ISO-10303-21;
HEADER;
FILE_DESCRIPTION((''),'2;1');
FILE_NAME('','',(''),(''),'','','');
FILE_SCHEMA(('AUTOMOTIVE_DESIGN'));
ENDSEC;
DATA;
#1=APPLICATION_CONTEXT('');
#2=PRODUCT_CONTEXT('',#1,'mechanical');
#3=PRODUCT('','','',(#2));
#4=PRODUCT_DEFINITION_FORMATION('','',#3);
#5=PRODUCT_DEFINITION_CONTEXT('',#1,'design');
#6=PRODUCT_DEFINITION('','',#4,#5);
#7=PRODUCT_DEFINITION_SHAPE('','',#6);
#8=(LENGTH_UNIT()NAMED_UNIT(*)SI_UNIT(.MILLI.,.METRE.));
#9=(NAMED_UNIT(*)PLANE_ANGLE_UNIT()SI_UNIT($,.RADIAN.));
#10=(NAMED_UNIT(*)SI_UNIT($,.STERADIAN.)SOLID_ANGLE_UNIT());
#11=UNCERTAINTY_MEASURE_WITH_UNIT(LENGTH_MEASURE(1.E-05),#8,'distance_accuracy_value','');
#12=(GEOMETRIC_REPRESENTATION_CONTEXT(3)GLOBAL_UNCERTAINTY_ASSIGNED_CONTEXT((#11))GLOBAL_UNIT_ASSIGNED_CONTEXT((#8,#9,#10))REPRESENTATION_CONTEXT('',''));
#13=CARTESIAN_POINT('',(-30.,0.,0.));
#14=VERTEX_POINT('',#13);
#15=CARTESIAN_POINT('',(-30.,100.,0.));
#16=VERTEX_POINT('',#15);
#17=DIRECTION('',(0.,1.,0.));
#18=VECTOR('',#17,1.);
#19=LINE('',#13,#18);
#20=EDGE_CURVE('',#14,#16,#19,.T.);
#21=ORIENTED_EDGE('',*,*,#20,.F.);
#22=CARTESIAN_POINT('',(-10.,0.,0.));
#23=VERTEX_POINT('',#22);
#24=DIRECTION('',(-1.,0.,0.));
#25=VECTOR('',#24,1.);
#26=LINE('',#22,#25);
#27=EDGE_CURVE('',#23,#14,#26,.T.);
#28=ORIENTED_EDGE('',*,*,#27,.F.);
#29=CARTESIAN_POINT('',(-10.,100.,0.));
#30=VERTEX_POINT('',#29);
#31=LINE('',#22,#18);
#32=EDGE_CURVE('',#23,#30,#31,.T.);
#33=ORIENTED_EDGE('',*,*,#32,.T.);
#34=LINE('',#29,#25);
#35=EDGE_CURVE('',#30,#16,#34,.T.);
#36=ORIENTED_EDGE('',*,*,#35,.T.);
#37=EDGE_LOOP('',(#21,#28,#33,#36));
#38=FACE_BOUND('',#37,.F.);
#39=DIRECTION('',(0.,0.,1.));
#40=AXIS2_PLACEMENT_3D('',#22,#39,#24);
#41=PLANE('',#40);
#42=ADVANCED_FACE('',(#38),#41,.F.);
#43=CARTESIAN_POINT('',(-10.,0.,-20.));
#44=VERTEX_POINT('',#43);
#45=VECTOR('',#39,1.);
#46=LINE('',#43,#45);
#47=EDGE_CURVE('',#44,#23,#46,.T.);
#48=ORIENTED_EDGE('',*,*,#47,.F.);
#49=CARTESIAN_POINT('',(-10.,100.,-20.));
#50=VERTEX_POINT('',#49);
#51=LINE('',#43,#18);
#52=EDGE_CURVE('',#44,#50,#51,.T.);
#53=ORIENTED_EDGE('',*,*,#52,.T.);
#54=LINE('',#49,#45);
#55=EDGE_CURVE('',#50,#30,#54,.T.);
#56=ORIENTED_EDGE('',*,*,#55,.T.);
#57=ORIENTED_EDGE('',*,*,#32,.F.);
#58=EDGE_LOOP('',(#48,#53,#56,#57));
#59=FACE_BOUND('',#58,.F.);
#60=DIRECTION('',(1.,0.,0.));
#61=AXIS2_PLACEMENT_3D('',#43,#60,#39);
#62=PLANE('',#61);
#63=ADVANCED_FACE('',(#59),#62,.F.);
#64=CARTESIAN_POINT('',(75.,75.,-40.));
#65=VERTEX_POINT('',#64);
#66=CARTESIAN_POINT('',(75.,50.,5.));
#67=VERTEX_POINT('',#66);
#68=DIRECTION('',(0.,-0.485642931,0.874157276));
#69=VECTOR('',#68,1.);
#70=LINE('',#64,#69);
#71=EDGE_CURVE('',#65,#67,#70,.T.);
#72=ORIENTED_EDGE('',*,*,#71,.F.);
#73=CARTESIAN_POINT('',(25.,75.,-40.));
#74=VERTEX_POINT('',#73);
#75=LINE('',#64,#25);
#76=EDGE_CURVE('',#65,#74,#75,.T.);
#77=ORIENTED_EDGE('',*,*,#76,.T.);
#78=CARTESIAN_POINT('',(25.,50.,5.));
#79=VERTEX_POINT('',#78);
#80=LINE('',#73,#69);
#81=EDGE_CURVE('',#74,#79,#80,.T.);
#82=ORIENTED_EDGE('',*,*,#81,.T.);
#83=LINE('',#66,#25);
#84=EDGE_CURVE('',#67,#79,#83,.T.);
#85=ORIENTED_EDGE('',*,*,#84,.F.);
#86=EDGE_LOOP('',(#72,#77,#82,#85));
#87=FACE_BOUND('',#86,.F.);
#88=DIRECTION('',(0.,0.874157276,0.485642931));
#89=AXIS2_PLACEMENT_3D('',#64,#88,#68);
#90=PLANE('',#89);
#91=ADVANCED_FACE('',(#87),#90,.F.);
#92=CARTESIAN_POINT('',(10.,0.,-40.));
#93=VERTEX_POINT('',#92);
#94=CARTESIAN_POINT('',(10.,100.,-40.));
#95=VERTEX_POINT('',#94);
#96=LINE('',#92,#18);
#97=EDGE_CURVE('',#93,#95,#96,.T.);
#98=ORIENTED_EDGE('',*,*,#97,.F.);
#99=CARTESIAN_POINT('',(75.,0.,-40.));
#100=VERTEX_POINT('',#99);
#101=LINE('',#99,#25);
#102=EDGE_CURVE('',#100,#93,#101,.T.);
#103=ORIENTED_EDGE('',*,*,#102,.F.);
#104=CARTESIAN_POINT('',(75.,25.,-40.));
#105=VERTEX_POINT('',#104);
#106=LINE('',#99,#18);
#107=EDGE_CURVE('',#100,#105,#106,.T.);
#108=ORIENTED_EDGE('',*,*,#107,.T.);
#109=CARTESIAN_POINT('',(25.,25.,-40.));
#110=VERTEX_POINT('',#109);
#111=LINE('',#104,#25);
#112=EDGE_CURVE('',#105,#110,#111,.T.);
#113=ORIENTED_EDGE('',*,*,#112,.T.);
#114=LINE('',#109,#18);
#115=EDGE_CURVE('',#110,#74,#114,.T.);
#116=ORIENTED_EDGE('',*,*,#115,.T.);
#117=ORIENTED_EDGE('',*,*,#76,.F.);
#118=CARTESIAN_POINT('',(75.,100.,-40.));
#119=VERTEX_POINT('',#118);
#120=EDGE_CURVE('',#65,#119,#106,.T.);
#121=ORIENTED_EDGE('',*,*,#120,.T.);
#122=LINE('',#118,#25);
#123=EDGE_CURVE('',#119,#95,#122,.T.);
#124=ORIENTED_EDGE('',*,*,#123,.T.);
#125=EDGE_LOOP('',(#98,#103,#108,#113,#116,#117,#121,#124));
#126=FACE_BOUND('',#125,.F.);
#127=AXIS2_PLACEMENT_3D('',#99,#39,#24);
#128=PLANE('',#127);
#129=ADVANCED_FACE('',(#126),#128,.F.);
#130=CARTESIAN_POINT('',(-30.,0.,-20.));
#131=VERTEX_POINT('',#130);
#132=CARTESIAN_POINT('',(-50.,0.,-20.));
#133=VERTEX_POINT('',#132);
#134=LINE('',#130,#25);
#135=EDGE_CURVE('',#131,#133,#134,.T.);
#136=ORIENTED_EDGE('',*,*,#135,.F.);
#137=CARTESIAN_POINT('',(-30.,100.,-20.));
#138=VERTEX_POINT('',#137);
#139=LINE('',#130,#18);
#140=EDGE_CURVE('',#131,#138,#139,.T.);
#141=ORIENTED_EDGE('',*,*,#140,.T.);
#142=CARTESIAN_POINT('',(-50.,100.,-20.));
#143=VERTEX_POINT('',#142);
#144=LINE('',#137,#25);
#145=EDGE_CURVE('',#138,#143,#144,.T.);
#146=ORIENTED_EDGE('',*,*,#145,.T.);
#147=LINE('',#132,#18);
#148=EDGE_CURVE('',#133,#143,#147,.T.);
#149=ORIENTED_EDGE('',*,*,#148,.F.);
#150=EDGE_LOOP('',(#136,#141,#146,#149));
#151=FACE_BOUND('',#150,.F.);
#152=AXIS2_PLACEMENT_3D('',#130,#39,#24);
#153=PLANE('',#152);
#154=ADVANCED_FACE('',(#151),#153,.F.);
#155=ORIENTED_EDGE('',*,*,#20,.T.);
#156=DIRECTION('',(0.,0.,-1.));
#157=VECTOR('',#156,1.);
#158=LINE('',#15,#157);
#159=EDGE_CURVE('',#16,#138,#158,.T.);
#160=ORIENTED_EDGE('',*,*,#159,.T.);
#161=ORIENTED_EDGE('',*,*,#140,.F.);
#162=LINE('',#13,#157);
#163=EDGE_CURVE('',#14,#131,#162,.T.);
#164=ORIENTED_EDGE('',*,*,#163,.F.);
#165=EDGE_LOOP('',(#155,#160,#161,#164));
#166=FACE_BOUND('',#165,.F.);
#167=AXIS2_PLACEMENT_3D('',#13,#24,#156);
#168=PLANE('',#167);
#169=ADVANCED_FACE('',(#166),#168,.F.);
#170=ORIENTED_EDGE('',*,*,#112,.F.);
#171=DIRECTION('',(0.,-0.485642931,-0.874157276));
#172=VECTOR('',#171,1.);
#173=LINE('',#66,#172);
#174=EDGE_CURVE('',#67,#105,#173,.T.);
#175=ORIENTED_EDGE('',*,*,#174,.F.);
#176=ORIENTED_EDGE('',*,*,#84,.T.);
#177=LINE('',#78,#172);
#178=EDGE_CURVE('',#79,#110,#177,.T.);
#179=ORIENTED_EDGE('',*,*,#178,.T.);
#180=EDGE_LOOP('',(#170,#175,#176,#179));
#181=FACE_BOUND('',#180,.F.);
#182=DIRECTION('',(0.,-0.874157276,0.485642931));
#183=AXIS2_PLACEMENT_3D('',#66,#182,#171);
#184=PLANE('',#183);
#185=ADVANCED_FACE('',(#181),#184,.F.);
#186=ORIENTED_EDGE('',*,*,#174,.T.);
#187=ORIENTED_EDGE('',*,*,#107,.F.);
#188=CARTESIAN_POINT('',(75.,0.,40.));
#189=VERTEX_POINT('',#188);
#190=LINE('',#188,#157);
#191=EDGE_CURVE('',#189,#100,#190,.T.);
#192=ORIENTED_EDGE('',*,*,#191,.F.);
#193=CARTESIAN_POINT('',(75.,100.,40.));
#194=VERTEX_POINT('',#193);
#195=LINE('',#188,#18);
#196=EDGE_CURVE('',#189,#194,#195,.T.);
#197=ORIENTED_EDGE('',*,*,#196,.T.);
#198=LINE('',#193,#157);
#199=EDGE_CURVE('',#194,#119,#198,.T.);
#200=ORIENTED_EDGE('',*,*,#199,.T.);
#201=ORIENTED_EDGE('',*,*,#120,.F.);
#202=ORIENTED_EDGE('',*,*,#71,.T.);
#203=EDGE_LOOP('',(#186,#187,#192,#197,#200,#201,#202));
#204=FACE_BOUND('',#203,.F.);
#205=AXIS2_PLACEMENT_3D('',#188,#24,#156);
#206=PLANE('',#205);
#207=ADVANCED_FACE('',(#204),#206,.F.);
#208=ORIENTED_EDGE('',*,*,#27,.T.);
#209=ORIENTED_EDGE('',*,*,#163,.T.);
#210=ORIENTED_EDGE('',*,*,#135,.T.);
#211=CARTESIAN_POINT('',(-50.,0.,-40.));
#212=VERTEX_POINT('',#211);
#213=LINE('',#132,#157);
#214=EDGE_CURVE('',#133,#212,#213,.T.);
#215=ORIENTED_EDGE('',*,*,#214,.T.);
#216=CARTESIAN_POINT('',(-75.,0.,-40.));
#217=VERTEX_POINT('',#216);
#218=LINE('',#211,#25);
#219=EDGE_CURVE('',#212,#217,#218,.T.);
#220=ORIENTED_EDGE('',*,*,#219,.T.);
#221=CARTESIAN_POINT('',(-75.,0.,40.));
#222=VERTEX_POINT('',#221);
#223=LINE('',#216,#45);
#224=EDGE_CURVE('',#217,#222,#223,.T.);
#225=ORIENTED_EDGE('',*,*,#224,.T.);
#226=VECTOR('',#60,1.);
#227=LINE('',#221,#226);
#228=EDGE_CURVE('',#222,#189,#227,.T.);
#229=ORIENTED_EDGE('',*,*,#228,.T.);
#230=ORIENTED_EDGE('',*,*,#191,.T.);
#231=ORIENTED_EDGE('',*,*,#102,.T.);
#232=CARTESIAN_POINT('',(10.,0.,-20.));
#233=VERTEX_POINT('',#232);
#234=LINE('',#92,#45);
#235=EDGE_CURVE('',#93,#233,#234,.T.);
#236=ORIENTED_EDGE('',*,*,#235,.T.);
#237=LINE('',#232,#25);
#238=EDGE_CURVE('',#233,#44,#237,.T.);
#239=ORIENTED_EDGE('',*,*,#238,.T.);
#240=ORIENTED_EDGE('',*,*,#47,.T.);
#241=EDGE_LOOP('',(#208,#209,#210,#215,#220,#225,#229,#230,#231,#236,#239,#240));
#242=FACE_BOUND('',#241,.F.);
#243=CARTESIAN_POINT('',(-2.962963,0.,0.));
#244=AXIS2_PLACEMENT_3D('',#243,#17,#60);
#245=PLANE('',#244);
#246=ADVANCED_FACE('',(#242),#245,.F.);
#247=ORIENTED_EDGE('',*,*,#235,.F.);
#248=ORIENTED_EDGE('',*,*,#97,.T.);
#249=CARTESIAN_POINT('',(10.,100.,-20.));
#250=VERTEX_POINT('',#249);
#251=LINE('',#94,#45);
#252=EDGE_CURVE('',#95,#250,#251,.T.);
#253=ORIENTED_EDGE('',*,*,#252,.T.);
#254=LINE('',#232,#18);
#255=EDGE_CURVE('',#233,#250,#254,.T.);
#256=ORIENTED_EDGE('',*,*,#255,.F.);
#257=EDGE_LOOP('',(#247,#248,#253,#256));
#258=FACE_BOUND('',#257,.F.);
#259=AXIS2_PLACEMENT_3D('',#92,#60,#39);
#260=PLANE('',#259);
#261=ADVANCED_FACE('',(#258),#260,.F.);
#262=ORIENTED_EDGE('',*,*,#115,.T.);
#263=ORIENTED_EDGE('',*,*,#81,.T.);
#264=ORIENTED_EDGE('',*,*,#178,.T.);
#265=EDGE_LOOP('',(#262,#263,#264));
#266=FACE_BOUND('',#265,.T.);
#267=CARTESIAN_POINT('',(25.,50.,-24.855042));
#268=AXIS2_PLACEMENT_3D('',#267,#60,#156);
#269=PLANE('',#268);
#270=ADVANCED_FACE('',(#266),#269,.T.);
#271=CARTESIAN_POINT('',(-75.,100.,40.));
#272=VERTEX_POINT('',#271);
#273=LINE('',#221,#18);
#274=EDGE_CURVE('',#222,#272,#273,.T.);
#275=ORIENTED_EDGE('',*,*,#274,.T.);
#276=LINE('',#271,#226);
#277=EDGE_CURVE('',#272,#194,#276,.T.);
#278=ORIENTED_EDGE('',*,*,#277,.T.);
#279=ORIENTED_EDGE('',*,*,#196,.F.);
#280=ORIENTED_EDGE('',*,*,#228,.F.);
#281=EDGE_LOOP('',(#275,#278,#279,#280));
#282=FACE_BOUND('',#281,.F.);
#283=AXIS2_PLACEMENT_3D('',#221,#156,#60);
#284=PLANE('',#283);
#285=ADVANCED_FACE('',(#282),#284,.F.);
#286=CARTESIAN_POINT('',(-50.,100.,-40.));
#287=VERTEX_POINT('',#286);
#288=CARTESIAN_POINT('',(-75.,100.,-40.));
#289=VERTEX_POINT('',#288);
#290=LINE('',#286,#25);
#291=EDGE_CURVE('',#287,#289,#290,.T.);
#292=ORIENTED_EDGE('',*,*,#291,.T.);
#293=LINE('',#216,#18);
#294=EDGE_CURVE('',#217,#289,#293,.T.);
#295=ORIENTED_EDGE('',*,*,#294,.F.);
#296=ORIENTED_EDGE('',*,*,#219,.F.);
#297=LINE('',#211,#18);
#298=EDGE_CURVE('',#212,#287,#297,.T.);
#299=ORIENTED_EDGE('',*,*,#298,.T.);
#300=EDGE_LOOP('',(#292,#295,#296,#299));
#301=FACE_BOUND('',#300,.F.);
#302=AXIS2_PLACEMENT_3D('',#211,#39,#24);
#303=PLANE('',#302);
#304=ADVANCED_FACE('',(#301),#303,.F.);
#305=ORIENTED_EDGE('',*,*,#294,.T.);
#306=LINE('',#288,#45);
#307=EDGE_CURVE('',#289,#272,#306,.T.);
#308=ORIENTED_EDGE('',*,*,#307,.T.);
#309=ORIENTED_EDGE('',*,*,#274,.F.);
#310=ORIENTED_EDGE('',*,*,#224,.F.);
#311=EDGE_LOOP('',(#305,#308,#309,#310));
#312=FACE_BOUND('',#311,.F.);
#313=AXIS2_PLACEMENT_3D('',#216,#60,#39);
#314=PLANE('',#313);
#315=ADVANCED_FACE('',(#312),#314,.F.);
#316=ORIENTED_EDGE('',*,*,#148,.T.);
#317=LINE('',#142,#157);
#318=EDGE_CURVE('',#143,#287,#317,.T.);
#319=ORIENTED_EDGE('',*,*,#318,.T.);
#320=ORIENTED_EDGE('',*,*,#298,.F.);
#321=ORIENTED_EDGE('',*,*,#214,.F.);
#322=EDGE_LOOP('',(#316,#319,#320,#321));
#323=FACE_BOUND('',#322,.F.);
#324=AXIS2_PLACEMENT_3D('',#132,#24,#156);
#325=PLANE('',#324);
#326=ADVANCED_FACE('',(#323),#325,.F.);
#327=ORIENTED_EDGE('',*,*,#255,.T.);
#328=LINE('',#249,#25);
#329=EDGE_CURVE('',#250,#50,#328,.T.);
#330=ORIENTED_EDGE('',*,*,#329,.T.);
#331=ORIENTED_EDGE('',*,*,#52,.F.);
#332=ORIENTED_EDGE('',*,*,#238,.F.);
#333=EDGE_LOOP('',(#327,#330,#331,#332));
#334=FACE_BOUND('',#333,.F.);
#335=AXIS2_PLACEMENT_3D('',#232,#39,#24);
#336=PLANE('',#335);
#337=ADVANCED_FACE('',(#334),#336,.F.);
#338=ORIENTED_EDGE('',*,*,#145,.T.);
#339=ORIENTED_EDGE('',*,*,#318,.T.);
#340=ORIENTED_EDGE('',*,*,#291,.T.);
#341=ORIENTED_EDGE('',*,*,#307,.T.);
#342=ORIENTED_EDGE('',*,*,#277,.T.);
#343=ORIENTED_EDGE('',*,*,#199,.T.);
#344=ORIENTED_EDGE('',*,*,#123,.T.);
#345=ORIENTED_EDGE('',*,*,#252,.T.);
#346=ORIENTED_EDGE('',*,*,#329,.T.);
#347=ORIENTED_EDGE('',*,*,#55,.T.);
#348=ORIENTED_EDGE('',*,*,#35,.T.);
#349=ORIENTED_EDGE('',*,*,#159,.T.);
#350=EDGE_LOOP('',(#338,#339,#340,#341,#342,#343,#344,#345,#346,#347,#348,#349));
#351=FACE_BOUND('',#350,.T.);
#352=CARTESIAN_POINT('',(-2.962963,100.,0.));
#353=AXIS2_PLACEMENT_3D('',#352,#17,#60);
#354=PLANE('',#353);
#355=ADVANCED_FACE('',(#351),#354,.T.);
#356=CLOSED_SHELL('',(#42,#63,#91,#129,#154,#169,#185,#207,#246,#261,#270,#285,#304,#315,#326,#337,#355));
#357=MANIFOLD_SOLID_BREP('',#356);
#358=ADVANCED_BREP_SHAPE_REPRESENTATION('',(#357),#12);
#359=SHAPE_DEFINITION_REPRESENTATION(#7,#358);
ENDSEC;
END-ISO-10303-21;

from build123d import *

# Parameters (mm, degrees)
BOSS_EXTRUDE1_DEPTH = 100
CUT_EXTRUDE2_DEPTH  = 50


with BuildPart() as part:
    # Sketch1 → Boss-Extrude1 (new body)
    with BuildSketch(Plane(origin=(0, 0, 0), x_dir=(1, 0, 0), z_dir=(0, 1, 0))):
        Polygon((-50, 20), (-50, 40), (-75, 40), (-75, -40), (75, -40), (75, 40), (10, 40), (10, 20), (-10, 20), (-10, 0), (-30, 0), (-30, 20), align=None)
    extrude(amount=BOSS_EXTRUDE1_DEPTH)

    # Sketch3 → Cut-Extrude2 (cut)
    with BuildSketch(Plane(origin=(75, 0, 0), x_dir=(0, 0, -1), z_dir=(1, 0, 0))):
        Polygon((40, 75), (-5, 50), (40, 25), align=None)
    extrude(amount=-CUT_EXTRUDE2_DEPTH, mode=Mode.SUBTRACT)


solid = part.part
